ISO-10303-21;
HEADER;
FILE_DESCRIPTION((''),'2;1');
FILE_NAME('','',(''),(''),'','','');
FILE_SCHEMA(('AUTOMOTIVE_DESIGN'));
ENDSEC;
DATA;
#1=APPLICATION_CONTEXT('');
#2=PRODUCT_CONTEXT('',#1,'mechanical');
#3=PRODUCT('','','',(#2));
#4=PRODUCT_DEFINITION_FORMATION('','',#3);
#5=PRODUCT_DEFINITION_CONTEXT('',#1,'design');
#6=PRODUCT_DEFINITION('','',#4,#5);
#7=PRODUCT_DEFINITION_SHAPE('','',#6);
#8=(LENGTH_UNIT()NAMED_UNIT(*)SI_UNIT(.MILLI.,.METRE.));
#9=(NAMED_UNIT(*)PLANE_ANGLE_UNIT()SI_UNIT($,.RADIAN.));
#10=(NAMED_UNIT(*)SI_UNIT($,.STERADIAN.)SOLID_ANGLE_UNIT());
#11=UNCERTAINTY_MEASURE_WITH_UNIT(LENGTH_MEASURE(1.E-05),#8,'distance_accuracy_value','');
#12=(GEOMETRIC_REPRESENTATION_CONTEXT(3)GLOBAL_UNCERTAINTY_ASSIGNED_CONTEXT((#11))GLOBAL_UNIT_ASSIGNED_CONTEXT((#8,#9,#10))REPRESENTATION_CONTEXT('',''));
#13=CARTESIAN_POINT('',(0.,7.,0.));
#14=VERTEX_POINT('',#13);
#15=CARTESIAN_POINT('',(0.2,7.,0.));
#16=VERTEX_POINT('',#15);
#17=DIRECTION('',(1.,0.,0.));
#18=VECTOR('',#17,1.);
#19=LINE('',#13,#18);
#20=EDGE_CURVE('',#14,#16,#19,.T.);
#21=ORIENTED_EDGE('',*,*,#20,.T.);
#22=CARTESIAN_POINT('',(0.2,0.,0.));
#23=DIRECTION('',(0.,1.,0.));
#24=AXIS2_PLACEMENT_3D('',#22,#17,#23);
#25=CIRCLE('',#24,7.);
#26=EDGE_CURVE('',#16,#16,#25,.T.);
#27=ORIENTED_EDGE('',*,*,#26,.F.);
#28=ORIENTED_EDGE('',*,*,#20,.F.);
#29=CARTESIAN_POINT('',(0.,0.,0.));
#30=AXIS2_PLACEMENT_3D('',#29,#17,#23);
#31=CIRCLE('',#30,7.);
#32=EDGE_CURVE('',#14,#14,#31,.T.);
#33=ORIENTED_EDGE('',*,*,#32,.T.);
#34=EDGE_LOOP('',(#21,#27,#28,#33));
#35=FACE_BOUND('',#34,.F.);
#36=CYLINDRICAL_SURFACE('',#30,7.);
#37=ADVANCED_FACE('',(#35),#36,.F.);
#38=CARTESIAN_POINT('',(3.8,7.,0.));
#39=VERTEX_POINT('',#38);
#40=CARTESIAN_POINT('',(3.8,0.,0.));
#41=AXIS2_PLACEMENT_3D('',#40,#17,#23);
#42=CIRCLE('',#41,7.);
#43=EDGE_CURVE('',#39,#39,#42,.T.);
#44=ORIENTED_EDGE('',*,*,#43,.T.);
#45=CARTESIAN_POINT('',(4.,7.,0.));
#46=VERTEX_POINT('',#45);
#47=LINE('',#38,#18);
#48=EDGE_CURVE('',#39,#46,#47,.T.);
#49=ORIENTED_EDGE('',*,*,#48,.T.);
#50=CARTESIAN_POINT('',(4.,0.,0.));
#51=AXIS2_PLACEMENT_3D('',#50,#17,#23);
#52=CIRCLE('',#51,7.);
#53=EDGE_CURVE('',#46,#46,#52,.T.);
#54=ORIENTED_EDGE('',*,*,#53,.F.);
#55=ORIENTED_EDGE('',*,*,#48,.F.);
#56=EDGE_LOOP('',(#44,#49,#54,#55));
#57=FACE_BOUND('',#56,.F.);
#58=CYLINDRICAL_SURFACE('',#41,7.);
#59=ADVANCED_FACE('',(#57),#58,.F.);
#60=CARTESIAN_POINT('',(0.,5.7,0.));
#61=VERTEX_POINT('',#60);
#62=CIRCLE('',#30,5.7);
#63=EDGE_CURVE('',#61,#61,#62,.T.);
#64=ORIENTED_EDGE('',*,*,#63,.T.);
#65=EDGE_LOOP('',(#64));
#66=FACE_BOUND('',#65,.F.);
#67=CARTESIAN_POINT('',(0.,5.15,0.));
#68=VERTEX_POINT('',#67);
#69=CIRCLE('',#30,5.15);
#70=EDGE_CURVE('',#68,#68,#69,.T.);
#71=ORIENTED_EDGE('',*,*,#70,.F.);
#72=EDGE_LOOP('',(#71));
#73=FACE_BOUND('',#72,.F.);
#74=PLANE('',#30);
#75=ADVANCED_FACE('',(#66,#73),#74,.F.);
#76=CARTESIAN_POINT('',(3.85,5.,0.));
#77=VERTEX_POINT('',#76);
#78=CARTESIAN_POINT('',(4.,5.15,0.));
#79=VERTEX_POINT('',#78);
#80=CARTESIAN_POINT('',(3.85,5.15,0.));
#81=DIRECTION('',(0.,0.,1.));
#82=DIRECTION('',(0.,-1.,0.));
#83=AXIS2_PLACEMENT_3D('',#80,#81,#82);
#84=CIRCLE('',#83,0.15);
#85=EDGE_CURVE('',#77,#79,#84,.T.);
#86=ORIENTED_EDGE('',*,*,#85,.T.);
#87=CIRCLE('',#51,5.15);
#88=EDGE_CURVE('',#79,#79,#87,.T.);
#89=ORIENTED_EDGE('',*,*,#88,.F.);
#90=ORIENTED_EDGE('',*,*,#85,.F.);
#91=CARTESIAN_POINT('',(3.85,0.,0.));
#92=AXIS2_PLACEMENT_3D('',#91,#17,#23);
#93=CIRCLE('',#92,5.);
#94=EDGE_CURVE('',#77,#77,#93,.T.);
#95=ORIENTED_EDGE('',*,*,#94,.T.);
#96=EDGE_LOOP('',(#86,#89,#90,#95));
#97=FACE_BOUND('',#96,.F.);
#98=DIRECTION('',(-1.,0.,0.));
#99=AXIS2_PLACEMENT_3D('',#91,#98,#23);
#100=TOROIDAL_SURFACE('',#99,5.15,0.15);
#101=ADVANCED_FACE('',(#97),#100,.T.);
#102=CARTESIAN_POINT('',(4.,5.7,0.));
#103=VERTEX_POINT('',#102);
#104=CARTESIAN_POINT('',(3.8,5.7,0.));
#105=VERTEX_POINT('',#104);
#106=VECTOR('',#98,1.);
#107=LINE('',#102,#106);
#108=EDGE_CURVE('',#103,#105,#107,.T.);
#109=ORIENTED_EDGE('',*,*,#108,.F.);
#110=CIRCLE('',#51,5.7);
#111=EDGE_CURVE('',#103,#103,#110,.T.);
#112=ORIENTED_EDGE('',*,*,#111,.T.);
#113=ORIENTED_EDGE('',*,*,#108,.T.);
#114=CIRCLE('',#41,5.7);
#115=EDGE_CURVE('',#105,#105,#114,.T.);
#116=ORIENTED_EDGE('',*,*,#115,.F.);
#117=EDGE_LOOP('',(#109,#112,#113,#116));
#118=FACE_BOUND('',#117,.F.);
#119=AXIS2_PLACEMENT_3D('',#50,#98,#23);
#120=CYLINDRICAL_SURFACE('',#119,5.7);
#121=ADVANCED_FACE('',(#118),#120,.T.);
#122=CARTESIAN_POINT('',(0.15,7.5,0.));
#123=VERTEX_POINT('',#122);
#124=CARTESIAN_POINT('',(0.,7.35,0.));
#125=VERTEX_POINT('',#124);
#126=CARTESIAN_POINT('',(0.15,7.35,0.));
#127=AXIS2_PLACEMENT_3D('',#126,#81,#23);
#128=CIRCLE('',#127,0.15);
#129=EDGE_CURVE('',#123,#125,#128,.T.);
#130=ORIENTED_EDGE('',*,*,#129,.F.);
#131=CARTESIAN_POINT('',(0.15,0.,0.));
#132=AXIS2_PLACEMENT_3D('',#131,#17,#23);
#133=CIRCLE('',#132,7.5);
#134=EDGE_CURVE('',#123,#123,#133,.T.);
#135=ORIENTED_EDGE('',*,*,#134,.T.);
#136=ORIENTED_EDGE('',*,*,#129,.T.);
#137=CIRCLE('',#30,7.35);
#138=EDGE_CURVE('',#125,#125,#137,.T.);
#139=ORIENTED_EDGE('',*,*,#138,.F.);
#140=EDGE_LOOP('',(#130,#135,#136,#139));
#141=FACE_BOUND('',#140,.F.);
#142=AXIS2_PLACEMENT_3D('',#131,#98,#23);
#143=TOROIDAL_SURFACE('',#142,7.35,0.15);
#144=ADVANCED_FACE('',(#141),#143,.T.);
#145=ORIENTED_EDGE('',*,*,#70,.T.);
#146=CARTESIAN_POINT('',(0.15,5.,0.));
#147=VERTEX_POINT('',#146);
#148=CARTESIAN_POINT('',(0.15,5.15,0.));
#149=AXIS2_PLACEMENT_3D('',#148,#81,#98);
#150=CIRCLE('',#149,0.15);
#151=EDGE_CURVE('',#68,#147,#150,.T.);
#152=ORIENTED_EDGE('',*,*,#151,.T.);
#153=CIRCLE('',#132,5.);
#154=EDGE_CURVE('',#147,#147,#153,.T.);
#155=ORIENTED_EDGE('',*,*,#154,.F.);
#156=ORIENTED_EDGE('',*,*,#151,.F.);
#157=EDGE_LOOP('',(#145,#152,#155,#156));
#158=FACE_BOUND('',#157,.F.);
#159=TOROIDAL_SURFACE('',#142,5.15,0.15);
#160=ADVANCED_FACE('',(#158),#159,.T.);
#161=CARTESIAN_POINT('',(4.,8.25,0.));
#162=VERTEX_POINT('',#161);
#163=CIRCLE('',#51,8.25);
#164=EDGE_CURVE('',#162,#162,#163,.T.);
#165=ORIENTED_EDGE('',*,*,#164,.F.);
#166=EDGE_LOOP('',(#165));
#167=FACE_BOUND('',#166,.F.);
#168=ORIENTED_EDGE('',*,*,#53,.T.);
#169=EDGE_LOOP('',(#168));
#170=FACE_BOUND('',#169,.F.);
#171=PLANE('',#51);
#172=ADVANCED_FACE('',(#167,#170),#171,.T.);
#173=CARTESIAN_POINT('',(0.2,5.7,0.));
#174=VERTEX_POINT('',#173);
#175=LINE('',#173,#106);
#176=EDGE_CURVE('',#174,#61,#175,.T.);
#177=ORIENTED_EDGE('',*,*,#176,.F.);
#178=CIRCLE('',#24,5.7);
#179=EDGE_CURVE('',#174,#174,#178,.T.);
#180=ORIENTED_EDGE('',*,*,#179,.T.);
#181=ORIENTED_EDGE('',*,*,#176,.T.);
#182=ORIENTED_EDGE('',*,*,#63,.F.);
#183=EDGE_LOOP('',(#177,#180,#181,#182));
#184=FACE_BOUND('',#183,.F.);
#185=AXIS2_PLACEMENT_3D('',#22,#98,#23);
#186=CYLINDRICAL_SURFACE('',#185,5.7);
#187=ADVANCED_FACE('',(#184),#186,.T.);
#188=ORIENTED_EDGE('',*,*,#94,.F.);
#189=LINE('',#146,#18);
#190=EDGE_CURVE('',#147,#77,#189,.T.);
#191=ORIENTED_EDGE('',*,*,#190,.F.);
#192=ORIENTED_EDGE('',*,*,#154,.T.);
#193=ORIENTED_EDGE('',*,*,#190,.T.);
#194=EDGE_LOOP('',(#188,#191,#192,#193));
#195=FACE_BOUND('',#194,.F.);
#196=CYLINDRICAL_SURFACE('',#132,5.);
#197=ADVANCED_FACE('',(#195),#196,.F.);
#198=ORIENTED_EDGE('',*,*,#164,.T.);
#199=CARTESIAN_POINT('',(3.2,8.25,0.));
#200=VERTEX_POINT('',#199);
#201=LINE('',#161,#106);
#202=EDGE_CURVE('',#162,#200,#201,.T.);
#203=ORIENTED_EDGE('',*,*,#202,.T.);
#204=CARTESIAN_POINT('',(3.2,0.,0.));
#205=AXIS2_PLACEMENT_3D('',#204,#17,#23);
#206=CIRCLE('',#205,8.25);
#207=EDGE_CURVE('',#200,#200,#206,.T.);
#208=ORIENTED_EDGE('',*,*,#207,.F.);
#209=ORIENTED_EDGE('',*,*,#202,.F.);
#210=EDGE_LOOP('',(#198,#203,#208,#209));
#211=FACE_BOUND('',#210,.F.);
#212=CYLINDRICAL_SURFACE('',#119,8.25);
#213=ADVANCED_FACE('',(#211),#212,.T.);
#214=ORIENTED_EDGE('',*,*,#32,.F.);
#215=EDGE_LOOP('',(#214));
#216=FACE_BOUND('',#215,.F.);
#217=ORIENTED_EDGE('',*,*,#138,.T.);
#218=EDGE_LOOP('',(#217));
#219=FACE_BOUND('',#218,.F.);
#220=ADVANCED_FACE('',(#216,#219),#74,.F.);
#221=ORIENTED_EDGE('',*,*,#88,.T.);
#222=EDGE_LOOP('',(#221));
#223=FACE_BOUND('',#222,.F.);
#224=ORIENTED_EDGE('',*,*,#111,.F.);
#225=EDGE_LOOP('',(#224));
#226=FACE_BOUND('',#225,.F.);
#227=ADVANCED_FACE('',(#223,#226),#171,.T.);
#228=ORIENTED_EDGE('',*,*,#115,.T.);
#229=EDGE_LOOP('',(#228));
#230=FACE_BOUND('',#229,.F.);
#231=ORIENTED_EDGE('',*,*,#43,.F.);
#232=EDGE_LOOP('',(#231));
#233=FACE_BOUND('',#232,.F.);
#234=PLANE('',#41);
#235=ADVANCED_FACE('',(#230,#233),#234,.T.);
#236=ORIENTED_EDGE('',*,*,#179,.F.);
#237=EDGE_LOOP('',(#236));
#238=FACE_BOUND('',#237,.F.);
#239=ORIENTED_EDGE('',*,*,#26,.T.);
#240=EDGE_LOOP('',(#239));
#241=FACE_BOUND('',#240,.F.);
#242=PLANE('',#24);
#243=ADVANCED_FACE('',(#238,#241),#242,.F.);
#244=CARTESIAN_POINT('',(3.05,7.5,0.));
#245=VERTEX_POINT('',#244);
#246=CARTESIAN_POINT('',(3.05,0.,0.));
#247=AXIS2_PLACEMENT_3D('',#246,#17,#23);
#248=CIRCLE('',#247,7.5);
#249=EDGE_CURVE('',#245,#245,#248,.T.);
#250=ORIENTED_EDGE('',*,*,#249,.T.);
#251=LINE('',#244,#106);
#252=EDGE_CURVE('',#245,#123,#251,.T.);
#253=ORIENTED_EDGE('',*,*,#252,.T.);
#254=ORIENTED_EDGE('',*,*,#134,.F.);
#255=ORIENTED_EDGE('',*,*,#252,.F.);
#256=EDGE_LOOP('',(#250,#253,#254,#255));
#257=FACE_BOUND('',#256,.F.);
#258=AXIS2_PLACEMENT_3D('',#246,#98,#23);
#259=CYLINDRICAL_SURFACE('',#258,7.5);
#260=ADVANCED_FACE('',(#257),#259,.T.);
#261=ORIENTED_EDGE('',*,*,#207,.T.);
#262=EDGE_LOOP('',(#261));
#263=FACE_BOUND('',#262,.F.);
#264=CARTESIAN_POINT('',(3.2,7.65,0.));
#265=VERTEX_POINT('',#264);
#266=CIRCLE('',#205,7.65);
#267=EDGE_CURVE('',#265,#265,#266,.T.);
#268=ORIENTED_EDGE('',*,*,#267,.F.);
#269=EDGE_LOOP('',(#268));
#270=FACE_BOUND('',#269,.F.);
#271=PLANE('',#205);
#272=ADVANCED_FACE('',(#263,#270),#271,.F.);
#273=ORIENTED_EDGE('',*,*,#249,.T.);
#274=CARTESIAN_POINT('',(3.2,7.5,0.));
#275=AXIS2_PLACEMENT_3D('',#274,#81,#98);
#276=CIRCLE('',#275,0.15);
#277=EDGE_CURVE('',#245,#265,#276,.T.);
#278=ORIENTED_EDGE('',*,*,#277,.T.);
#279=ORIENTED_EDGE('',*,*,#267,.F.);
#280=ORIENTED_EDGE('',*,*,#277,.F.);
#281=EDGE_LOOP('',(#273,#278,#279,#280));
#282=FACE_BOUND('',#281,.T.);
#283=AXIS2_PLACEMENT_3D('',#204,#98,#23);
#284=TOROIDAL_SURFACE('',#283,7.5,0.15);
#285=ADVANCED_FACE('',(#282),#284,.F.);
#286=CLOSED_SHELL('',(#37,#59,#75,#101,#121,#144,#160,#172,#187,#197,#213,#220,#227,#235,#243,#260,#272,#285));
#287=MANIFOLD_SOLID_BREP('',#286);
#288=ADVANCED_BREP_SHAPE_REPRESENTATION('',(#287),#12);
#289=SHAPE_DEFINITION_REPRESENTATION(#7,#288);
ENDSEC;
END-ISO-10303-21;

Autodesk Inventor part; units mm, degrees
sketch "Sketch_1" plane through (0, 0, 0) normal (0, 0, 1) x (1, 0, 0)
  line L0 (15, 0) -> (-15, 0)
  arc A0 (0, 5.15) -> (0.15, 5) centre (0.15, 5.15) ccw
  line L1 (0.15, 5) -> (3.85, 5)
  arc A1 (3.85, 5) -> (4, 5.15) centre (3.85, 5.15) ccw
  line L2 (4, 5.15) -> (4, 5.7)
  line L3 (4, 5.7) -> (3.8, 5.7)
  line L4 (3.8, 5.7) -> (3.8, 7)
  line L5 (3.8, 7) -> (4, 7)
  line L6 (4, 7) -> (4, 8.25)
  line L7 (4, 8.25) -> (3.2, 8.25)
  line L8 (3.2, 8.25) -> (3.2, 7.65)
  arc A2 (3.05, 7.5) -> (3.2, 7.65) centre (3.2, 7.5) ccw
  line L9 (3.05, 7.5) -> (0.15, 7.5)
  arc A3 (0.15, 7.5) -> (0, 7.35) centre (0.15, 7.35) ccw
  line L10 (0, 7.35) -> (0, 7)
  line L11 (0, 7) -> (0.2, 7)
  line L12 (0.2, 7) -> (0.2, 5.7)
  line L13 (0.2, 5.7) -> (0, 5.7)
  line L14 (0, 5.7) -> (0, 5.15)
revolve "Revolution1" add sketch "Sketch_1" angle 360 about axis through (15, 0, 0) along (1, 0, 0)
ref_plane "to_housing_XY" through (0, 0, 0) normal (1, 0, 0) x (0, 0, -1)
ref_plane "to_housing_YZ" through (0, 0, 0) normal (0, 0, -1) x (0, 1, 0)
ref_plane "to_housing_ZX" through (0, 0, 0) normal (0, 1, 0) x (1, 0, 0)
properties part number "FL6700ZZ"
